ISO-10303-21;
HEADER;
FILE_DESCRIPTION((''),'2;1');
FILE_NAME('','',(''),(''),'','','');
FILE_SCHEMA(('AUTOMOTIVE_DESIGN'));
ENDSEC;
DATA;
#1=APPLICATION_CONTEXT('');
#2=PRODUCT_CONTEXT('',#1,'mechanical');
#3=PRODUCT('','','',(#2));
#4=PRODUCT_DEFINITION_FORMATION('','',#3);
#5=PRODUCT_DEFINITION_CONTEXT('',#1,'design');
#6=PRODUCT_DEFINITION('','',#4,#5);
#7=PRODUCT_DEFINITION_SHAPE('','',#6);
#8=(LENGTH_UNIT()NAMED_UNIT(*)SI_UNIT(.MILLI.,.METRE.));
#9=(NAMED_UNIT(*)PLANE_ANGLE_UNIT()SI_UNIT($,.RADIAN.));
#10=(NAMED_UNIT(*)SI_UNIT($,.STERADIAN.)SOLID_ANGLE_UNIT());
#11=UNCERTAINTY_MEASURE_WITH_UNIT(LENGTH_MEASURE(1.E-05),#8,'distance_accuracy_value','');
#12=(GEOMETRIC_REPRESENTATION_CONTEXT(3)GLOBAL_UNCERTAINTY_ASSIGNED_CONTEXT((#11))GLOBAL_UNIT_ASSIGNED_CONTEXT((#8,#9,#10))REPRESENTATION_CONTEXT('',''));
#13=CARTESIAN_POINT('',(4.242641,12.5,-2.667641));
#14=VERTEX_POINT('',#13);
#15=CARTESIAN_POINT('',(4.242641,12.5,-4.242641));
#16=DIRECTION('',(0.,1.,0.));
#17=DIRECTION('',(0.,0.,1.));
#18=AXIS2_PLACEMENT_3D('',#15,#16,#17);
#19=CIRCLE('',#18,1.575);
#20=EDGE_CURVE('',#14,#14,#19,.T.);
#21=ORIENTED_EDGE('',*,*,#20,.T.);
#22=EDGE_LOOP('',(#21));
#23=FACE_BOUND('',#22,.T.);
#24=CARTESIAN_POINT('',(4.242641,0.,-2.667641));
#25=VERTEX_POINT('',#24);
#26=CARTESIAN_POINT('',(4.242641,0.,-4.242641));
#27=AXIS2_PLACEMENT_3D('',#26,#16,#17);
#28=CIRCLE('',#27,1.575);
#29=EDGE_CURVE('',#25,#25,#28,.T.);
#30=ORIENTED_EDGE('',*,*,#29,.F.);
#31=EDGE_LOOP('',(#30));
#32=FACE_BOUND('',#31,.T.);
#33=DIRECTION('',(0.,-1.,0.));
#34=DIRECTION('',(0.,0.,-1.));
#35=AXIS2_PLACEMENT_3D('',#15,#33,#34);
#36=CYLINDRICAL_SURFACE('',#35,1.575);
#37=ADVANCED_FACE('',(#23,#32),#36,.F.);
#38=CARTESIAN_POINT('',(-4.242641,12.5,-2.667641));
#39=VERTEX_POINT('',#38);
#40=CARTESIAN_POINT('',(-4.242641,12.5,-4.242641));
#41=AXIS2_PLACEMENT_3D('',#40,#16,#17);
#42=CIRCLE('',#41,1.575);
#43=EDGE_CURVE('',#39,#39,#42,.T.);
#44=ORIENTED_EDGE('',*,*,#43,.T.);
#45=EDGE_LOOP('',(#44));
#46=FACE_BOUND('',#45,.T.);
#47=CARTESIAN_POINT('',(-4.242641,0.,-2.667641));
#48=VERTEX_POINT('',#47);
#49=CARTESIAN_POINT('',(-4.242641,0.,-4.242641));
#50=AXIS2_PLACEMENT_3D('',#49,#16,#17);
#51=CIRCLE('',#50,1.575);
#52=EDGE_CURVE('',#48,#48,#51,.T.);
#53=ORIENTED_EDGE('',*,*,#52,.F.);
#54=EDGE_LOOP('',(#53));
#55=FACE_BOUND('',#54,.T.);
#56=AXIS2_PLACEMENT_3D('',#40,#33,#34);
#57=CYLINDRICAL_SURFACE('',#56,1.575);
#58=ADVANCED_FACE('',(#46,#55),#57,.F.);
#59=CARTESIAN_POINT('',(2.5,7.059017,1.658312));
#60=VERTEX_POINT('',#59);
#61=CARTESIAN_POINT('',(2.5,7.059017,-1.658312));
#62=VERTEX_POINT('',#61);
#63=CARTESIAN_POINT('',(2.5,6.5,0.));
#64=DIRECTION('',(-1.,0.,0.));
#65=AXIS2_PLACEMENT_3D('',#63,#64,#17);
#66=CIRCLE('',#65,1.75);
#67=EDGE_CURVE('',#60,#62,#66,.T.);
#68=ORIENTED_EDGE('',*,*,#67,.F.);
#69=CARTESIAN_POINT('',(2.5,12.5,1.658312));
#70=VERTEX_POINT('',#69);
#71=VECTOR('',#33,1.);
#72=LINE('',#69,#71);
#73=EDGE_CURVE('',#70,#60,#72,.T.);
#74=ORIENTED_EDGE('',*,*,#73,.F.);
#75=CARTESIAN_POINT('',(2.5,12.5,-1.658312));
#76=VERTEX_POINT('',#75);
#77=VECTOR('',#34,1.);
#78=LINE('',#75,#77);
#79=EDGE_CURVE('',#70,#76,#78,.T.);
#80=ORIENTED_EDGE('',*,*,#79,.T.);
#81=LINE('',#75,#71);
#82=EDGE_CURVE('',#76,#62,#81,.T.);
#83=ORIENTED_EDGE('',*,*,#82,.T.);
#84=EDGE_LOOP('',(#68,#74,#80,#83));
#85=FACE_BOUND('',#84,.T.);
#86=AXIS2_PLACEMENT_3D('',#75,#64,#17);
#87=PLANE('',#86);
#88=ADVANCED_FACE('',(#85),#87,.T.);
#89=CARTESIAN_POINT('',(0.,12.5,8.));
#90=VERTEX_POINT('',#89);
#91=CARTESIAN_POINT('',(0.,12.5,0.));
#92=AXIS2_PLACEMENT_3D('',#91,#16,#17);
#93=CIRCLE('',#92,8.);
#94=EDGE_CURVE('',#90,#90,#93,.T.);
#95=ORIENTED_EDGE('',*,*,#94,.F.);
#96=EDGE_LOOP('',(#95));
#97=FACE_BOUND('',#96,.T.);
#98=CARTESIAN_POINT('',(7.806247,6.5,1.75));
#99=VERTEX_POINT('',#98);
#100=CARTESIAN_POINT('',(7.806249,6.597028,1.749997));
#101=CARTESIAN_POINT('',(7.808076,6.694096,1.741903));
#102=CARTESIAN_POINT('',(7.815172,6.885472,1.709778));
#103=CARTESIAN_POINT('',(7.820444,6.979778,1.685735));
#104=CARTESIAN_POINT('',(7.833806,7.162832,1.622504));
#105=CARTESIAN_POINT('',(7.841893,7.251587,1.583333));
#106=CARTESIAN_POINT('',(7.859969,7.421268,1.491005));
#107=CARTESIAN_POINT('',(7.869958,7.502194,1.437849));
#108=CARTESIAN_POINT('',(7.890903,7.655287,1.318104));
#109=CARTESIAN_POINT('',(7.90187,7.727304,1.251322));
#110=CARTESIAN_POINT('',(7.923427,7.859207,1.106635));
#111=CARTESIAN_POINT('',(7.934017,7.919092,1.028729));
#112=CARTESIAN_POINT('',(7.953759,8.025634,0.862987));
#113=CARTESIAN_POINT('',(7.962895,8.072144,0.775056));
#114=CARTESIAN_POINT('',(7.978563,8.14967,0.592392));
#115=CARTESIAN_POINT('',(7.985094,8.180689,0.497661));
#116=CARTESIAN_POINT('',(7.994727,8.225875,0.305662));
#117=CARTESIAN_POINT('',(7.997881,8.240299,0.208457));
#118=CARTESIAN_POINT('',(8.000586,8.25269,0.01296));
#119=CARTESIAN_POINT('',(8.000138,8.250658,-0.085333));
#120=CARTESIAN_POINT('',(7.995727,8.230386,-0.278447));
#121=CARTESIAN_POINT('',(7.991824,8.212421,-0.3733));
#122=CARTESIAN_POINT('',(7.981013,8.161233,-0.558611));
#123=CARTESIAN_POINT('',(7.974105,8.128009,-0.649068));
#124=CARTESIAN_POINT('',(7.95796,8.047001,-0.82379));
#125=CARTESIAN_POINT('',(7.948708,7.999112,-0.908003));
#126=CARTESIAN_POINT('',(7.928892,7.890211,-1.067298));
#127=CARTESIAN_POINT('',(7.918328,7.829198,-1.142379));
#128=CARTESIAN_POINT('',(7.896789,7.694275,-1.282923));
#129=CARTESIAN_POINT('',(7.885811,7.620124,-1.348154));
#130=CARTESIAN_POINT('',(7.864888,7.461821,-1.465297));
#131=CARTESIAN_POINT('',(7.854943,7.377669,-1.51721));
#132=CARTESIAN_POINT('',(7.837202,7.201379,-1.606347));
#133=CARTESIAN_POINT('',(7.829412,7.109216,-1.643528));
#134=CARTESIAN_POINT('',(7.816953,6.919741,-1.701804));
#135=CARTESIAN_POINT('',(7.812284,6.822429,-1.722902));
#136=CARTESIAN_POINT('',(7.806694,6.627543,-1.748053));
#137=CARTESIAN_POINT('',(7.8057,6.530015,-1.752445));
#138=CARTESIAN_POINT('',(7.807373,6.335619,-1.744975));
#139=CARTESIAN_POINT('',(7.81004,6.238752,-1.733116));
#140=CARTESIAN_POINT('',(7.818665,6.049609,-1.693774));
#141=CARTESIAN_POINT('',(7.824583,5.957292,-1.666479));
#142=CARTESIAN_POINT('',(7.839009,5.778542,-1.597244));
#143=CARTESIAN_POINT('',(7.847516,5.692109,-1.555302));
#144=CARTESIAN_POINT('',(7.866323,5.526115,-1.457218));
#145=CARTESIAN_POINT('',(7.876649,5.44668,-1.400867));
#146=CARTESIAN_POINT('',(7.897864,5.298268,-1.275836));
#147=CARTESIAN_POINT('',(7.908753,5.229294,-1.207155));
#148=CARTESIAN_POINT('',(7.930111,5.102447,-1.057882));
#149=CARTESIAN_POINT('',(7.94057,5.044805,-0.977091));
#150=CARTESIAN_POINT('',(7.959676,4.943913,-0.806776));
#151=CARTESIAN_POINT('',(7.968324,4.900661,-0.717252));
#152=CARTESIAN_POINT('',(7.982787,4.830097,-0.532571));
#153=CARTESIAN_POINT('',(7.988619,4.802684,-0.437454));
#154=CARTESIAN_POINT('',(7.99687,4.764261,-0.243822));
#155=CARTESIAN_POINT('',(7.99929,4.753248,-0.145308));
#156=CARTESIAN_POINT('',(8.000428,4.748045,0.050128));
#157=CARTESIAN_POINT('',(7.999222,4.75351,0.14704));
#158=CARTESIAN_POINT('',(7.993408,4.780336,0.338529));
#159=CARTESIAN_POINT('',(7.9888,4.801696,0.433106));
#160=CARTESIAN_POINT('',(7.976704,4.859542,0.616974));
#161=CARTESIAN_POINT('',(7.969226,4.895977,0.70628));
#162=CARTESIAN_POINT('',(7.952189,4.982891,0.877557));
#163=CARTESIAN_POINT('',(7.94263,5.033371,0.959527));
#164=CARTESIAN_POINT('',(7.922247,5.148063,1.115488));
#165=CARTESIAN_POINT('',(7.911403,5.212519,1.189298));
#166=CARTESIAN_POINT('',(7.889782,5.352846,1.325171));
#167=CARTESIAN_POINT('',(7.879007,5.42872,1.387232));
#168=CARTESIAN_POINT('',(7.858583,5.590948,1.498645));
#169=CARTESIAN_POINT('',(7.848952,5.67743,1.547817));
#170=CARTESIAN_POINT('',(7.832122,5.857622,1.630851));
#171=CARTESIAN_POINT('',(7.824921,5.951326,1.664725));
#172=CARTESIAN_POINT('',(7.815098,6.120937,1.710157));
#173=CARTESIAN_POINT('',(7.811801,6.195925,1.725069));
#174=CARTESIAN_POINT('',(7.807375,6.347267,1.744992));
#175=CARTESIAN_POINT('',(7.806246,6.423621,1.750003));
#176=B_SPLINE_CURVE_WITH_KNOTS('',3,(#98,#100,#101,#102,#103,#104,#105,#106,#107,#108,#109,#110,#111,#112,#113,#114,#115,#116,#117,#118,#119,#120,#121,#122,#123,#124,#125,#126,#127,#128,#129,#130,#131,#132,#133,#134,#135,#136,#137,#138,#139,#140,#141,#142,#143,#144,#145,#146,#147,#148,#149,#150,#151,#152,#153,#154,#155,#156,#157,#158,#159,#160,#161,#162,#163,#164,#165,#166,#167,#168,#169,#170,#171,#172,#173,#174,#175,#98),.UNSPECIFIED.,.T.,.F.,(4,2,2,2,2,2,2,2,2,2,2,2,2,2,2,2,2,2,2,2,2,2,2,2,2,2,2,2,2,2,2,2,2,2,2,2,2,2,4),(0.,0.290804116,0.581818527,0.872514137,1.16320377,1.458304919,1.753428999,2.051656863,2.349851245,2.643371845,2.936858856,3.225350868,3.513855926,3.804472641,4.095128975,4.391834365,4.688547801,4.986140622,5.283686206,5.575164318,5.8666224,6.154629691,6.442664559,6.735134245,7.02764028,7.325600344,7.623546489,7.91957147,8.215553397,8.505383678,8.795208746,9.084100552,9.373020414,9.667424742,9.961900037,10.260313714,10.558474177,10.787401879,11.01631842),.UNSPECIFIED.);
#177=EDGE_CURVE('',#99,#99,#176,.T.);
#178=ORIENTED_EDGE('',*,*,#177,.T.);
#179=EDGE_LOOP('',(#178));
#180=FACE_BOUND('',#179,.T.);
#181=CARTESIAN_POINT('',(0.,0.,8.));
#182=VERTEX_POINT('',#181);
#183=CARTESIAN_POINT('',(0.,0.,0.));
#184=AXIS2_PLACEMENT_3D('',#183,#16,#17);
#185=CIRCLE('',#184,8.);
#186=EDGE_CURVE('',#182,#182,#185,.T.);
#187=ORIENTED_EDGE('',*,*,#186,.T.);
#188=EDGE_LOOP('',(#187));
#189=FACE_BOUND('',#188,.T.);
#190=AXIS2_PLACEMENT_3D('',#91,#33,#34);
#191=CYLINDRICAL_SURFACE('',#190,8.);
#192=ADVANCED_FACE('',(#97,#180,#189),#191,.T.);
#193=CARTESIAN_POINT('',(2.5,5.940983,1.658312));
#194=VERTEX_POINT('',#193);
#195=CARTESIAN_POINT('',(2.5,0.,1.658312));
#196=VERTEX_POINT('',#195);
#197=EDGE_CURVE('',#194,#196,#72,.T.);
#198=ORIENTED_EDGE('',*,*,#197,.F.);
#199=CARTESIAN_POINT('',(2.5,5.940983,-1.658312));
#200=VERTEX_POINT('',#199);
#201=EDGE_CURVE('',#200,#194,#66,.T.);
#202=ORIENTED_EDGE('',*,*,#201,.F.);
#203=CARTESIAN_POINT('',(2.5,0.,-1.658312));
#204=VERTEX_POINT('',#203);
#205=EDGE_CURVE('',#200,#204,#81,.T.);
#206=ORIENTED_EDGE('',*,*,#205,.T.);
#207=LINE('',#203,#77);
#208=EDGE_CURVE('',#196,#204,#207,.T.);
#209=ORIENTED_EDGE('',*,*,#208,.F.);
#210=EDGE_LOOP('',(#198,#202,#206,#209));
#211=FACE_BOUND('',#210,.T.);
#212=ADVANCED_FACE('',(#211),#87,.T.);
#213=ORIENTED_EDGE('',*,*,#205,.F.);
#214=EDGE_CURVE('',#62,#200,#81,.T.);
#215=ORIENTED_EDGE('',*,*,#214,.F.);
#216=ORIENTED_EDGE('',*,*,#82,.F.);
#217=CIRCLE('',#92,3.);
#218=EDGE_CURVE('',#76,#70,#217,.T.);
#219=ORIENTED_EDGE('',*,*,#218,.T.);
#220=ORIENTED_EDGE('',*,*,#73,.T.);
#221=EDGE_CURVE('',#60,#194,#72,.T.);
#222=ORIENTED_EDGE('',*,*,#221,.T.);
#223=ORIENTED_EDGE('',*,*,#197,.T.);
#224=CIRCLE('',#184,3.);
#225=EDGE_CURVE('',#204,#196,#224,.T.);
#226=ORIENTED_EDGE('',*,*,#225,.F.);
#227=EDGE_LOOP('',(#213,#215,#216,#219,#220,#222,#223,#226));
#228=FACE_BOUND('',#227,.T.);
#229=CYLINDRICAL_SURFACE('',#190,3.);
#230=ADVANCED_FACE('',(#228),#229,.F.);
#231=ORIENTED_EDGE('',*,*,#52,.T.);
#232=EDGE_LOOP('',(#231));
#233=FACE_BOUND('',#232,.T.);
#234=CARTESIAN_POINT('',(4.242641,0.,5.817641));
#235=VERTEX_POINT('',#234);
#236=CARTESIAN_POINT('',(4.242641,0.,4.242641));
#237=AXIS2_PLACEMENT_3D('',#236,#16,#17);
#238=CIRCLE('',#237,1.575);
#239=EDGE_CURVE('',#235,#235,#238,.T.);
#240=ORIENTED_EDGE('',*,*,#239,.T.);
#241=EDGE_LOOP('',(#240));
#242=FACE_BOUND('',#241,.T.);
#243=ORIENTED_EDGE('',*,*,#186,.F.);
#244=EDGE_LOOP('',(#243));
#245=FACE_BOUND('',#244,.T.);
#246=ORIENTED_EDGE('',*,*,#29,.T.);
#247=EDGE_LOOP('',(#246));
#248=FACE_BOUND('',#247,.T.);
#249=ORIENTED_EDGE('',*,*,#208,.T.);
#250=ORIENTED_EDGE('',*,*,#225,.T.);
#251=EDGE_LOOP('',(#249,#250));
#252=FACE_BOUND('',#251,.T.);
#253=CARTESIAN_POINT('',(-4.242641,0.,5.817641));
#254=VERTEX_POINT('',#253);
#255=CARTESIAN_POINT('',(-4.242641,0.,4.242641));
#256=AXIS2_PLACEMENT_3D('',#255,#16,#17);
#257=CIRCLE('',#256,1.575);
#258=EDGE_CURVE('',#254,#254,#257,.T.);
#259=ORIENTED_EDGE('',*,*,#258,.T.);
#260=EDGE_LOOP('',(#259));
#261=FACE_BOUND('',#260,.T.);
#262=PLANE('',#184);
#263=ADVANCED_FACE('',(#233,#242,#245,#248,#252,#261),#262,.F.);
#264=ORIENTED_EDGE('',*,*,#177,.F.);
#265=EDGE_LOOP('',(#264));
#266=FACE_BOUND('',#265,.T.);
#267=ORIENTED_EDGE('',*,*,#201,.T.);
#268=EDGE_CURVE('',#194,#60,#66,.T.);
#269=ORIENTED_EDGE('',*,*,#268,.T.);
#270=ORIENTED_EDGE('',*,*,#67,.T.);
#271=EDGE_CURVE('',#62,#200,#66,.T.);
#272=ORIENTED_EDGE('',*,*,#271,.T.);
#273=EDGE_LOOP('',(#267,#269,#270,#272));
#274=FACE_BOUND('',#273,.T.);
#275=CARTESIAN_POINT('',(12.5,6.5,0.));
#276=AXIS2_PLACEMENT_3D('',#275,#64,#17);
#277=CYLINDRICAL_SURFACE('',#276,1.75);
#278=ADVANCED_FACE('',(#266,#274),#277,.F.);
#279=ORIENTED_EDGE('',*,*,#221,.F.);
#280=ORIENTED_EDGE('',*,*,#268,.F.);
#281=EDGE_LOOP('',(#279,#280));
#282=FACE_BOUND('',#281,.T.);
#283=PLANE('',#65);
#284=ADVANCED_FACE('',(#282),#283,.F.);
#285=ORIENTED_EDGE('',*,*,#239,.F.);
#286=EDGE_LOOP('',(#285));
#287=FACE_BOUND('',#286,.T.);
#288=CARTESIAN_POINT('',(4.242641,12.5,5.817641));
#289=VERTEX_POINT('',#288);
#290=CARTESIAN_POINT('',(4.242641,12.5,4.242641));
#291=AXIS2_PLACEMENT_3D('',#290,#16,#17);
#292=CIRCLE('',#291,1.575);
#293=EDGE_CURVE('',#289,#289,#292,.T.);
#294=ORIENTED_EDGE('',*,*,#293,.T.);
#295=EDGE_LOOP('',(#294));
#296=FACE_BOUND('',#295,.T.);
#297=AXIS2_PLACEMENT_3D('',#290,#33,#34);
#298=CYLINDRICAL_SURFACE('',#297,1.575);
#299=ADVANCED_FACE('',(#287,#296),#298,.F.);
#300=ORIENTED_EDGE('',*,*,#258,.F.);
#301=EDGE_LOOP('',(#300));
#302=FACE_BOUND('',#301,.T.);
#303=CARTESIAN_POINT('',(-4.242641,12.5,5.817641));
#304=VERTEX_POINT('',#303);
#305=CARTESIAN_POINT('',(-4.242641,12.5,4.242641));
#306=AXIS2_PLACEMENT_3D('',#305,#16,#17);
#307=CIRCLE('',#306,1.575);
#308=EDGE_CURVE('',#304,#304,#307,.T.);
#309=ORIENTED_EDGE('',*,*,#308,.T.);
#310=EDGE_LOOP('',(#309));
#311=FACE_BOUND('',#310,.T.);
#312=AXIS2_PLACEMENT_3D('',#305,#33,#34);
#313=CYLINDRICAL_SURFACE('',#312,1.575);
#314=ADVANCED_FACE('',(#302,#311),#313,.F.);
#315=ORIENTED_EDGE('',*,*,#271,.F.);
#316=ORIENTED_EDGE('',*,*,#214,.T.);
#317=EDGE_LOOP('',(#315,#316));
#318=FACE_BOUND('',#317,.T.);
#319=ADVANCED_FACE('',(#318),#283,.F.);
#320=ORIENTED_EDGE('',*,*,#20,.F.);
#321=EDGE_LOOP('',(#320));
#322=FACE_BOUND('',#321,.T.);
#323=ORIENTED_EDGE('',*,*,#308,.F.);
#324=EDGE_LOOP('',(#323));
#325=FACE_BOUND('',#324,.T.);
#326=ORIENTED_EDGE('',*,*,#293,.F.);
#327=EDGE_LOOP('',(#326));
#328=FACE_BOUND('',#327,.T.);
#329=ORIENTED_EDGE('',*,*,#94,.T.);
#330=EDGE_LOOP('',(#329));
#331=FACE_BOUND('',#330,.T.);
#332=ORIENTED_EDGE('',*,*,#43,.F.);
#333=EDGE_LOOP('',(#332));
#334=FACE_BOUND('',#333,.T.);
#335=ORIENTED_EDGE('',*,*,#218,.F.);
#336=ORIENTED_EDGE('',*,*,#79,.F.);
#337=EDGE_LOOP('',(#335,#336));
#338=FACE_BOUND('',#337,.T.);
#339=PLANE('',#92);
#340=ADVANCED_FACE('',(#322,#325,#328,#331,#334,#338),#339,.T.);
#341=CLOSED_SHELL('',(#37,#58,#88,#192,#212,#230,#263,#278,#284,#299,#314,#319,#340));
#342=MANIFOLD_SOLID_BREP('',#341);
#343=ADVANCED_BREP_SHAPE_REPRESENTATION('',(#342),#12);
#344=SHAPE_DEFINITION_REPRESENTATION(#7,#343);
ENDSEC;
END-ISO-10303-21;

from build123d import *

# Parameters (mm, degrees)
SKETCH_1_R          = 8
SKETCH_1_R_2        = 1.575
EXTRUDE_1_DEPTH     = 12.5
SKETCH_3_R          = 1.75
CUT_EXTRUDE_1_DEPTH = 10


with BuildPart() as part:
    # 草图1 → 凸台-拉伸1 (new body)
    with BuildSketch(Plane(origin=(0, 0, 0), x_dir=(1, 0, 0), z_dir=(0, 1, 0))):
        with Locations(Location((0, 0, 0), (0, 0, 270))):
            Circle(SKETCH_1_R)
        with Locations(Location((4.242640687, 4.242640687, 0), (0, 0, 270))):
            Circle(SKETCH_1_R_2, mode=Mode.SUBTRACT)
        with Locations(Location((4.242640687, -4.242640687, 0), (0, 0, 270))):
            Circle(SKETCH_1_R_2, mode=Mode.SUBTRACT)
        with Locations(Location((-4.242640687, -4.242640687, 0), (0, 0, 270))):
            Circle(SKETCH_1_R_2, mode=Mode.SUBTRACT)
        with Locations(Location((-4.242640687, 4.242640687, 0), (0, 0, 270))):
            Circle(SKETCH_1_R_2, mode=Mode.SUBTRACT)
        with BuildLine():
            Line((2.5, 1.658312395), (2.5, -1.658312395))
            ThreePointArc((2.5, -1.658312395), (-3, 0), (2.5, 1.658312395))
        make_face(mode=Mode.SUBTRACT)
    extrude(amount=EXTRUDE_1_DEPTH)

    # 草图3 → 切除-拉伸1 (cut)
    with BuildSketch(Plane.ZY.offset(-2.5)):
        with Locations((0, 6.5)):
            Circle(SKETCH_3_R)
    extrude(amount=-CUT_EXTRUDE_1_DEPTH, mode=Mode.SUBTRACT)


solid = part.part
